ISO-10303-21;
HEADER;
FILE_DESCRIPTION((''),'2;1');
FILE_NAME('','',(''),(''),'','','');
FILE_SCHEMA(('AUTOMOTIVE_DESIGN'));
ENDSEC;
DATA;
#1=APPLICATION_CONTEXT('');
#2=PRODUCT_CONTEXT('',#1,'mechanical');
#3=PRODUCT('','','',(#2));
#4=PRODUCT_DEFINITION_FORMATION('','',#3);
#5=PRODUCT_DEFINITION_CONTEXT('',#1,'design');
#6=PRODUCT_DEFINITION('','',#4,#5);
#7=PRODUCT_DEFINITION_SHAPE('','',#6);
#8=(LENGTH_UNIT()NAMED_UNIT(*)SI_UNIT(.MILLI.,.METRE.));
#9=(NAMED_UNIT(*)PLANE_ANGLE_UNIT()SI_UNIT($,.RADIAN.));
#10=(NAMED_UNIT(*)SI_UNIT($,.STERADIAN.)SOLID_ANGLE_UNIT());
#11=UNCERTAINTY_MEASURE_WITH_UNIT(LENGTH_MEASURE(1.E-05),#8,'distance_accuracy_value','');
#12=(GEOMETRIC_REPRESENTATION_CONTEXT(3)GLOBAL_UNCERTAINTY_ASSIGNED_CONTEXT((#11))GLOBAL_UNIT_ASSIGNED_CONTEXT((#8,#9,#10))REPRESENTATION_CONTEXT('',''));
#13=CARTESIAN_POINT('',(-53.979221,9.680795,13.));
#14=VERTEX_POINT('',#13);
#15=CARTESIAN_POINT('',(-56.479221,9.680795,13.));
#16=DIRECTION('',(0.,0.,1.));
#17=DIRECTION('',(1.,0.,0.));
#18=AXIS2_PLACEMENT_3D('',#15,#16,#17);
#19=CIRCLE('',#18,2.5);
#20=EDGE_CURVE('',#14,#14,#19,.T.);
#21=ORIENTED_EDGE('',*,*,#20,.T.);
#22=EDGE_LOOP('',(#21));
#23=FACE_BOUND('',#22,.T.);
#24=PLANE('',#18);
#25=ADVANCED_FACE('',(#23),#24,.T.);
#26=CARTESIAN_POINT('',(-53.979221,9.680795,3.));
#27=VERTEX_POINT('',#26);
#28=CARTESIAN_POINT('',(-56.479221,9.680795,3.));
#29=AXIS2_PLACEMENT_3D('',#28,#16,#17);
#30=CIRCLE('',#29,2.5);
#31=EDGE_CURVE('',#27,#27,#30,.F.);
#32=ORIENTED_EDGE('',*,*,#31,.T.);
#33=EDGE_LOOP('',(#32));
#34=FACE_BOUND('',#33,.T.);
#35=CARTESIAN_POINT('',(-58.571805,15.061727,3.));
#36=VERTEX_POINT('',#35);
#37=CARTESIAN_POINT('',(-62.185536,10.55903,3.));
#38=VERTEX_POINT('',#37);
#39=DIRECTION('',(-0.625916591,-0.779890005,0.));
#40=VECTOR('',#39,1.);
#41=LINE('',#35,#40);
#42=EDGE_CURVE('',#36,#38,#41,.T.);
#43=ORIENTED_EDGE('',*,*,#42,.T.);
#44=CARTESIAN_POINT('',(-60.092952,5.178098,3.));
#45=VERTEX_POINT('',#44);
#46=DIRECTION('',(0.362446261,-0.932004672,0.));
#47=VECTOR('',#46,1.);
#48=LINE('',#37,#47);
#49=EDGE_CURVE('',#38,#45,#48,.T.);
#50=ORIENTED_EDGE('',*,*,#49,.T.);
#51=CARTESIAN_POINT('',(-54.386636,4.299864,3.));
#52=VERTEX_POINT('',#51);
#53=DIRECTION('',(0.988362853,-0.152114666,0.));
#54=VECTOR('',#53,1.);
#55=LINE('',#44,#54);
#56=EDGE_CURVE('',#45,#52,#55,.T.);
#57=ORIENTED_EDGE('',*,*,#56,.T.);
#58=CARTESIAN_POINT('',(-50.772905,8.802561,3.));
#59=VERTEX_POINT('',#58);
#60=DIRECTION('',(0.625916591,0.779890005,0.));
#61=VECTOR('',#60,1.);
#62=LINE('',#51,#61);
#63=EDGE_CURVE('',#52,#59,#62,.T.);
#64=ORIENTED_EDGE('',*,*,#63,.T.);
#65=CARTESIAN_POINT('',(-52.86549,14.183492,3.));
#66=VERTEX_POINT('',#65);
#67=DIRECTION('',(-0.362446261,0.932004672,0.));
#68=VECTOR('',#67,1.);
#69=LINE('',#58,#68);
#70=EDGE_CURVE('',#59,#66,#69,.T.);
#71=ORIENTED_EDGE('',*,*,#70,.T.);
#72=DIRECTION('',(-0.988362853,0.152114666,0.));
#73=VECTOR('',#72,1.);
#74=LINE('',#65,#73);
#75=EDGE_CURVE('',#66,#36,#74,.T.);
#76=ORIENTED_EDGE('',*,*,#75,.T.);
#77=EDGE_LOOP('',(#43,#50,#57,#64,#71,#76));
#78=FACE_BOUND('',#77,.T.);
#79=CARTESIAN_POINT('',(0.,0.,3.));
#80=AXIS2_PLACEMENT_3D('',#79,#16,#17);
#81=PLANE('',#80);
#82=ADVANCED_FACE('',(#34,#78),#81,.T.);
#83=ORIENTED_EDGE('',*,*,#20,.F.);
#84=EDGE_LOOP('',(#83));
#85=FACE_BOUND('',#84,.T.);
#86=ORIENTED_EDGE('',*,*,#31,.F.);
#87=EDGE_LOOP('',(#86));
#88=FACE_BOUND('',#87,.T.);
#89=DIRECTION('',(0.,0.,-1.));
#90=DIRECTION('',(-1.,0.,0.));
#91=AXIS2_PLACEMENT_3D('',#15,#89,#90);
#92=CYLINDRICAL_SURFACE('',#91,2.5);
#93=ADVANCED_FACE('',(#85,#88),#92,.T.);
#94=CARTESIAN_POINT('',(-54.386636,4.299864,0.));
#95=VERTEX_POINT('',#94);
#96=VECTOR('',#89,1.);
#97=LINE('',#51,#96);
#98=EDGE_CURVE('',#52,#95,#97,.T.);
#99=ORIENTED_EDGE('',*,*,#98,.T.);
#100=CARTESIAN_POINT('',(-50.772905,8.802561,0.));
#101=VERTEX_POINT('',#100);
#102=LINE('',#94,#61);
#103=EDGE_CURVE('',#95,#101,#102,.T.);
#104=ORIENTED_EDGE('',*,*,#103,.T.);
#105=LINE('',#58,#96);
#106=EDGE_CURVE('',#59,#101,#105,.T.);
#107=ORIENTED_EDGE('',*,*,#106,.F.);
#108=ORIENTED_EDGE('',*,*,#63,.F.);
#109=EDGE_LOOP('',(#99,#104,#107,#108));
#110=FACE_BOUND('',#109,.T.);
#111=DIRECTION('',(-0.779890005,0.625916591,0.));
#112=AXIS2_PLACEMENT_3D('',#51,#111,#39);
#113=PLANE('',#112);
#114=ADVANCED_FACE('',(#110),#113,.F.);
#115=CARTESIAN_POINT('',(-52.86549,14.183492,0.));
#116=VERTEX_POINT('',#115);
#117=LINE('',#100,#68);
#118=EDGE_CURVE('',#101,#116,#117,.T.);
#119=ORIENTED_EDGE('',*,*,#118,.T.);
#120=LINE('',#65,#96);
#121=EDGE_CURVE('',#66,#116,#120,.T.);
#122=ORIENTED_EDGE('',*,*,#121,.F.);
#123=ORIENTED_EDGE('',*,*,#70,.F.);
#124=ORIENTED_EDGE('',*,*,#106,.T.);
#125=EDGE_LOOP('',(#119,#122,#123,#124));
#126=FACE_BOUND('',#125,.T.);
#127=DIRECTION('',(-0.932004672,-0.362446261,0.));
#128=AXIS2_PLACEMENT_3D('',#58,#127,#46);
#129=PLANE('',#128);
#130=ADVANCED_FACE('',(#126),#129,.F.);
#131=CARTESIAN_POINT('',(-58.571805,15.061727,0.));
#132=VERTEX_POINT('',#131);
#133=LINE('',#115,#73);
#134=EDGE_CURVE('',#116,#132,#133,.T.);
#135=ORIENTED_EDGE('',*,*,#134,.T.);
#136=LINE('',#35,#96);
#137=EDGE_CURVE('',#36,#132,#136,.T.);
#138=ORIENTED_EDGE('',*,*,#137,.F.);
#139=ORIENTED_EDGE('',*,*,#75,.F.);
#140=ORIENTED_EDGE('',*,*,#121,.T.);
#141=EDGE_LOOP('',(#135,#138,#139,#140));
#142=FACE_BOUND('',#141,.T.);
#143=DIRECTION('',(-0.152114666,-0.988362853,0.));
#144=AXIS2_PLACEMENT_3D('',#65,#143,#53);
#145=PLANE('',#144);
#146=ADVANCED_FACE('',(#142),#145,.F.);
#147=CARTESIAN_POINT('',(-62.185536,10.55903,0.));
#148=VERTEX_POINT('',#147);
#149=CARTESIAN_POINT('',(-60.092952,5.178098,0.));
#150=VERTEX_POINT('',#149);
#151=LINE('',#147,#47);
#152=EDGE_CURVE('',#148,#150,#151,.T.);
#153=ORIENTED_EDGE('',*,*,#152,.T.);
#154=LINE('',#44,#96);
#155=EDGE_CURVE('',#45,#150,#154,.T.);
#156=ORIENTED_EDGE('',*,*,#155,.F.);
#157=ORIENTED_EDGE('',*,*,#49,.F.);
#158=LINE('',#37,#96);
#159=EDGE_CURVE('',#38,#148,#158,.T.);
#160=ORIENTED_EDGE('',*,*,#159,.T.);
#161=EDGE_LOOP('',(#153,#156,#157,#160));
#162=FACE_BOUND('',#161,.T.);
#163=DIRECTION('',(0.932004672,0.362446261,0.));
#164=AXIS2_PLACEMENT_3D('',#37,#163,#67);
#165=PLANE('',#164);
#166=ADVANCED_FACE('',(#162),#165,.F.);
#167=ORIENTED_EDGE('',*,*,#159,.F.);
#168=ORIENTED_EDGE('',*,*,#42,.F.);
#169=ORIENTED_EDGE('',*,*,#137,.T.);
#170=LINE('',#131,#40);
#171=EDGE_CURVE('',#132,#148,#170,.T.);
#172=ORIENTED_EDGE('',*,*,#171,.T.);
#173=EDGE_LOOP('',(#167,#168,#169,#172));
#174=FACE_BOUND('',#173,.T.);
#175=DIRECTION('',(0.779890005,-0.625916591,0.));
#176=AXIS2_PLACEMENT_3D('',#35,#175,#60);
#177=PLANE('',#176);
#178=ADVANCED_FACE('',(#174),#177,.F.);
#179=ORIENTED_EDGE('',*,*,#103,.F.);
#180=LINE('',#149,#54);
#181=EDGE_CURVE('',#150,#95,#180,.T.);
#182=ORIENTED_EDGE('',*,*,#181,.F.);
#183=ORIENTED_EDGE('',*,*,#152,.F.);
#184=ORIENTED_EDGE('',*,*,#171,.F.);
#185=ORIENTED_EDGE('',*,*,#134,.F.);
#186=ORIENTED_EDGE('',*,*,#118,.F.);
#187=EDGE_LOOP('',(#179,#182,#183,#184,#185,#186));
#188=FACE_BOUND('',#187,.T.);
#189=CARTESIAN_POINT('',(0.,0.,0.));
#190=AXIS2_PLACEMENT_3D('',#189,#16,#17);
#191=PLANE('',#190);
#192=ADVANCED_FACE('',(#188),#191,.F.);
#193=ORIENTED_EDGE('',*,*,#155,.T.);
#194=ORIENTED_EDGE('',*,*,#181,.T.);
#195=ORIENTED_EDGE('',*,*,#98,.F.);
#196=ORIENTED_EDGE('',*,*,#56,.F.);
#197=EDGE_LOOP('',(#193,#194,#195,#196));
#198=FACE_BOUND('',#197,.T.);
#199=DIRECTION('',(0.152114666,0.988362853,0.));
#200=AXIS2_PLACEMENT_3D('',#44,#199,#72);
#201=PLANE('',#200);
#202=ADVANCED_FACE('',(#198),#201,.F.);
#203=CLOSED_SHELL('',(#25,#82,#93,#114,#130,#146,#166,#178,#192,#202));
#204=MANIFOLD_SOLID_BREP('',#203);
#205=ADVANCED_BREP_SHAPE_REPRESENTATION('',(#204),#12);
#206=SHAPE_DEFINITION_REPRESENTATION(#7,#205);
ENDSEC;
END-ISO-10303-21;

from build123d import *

# Parameters (mm, degrees)
SALIENTE_EXTRUIR3_DEPTH = 3
CROQUIS3_R              = 2.5
SALIENTE_EXTRUIR4_DEPTH = 13


with BuildPart() as part:
    # Croquis1 → Saliente-Extruir3 (new body)
    with BuildSketch(Plane.XY):
        Polygon((-54.386636348, 4.299863782), (-50.772905222, 8.802560828), (-52.865489687, 14.183492308), (-58.571805277, 15.061726742), (-62.185536402, 10.559029696), (-60.092951938, 5.178098216), align=None)
    extrude(amount=SALIENTE_EXTRUIR3_DEPTH)

    # Croquis3 → Saliente-Extruir4 (add)
    with BuildSketch(Plane.XY):
        with Locations((-56.479220812, 9.680795262)):
            Circle(CROQUIS3_R)
    extrude(amount=SALIENTE_EXTRUIR4_DEPTH)


solid = part.part
